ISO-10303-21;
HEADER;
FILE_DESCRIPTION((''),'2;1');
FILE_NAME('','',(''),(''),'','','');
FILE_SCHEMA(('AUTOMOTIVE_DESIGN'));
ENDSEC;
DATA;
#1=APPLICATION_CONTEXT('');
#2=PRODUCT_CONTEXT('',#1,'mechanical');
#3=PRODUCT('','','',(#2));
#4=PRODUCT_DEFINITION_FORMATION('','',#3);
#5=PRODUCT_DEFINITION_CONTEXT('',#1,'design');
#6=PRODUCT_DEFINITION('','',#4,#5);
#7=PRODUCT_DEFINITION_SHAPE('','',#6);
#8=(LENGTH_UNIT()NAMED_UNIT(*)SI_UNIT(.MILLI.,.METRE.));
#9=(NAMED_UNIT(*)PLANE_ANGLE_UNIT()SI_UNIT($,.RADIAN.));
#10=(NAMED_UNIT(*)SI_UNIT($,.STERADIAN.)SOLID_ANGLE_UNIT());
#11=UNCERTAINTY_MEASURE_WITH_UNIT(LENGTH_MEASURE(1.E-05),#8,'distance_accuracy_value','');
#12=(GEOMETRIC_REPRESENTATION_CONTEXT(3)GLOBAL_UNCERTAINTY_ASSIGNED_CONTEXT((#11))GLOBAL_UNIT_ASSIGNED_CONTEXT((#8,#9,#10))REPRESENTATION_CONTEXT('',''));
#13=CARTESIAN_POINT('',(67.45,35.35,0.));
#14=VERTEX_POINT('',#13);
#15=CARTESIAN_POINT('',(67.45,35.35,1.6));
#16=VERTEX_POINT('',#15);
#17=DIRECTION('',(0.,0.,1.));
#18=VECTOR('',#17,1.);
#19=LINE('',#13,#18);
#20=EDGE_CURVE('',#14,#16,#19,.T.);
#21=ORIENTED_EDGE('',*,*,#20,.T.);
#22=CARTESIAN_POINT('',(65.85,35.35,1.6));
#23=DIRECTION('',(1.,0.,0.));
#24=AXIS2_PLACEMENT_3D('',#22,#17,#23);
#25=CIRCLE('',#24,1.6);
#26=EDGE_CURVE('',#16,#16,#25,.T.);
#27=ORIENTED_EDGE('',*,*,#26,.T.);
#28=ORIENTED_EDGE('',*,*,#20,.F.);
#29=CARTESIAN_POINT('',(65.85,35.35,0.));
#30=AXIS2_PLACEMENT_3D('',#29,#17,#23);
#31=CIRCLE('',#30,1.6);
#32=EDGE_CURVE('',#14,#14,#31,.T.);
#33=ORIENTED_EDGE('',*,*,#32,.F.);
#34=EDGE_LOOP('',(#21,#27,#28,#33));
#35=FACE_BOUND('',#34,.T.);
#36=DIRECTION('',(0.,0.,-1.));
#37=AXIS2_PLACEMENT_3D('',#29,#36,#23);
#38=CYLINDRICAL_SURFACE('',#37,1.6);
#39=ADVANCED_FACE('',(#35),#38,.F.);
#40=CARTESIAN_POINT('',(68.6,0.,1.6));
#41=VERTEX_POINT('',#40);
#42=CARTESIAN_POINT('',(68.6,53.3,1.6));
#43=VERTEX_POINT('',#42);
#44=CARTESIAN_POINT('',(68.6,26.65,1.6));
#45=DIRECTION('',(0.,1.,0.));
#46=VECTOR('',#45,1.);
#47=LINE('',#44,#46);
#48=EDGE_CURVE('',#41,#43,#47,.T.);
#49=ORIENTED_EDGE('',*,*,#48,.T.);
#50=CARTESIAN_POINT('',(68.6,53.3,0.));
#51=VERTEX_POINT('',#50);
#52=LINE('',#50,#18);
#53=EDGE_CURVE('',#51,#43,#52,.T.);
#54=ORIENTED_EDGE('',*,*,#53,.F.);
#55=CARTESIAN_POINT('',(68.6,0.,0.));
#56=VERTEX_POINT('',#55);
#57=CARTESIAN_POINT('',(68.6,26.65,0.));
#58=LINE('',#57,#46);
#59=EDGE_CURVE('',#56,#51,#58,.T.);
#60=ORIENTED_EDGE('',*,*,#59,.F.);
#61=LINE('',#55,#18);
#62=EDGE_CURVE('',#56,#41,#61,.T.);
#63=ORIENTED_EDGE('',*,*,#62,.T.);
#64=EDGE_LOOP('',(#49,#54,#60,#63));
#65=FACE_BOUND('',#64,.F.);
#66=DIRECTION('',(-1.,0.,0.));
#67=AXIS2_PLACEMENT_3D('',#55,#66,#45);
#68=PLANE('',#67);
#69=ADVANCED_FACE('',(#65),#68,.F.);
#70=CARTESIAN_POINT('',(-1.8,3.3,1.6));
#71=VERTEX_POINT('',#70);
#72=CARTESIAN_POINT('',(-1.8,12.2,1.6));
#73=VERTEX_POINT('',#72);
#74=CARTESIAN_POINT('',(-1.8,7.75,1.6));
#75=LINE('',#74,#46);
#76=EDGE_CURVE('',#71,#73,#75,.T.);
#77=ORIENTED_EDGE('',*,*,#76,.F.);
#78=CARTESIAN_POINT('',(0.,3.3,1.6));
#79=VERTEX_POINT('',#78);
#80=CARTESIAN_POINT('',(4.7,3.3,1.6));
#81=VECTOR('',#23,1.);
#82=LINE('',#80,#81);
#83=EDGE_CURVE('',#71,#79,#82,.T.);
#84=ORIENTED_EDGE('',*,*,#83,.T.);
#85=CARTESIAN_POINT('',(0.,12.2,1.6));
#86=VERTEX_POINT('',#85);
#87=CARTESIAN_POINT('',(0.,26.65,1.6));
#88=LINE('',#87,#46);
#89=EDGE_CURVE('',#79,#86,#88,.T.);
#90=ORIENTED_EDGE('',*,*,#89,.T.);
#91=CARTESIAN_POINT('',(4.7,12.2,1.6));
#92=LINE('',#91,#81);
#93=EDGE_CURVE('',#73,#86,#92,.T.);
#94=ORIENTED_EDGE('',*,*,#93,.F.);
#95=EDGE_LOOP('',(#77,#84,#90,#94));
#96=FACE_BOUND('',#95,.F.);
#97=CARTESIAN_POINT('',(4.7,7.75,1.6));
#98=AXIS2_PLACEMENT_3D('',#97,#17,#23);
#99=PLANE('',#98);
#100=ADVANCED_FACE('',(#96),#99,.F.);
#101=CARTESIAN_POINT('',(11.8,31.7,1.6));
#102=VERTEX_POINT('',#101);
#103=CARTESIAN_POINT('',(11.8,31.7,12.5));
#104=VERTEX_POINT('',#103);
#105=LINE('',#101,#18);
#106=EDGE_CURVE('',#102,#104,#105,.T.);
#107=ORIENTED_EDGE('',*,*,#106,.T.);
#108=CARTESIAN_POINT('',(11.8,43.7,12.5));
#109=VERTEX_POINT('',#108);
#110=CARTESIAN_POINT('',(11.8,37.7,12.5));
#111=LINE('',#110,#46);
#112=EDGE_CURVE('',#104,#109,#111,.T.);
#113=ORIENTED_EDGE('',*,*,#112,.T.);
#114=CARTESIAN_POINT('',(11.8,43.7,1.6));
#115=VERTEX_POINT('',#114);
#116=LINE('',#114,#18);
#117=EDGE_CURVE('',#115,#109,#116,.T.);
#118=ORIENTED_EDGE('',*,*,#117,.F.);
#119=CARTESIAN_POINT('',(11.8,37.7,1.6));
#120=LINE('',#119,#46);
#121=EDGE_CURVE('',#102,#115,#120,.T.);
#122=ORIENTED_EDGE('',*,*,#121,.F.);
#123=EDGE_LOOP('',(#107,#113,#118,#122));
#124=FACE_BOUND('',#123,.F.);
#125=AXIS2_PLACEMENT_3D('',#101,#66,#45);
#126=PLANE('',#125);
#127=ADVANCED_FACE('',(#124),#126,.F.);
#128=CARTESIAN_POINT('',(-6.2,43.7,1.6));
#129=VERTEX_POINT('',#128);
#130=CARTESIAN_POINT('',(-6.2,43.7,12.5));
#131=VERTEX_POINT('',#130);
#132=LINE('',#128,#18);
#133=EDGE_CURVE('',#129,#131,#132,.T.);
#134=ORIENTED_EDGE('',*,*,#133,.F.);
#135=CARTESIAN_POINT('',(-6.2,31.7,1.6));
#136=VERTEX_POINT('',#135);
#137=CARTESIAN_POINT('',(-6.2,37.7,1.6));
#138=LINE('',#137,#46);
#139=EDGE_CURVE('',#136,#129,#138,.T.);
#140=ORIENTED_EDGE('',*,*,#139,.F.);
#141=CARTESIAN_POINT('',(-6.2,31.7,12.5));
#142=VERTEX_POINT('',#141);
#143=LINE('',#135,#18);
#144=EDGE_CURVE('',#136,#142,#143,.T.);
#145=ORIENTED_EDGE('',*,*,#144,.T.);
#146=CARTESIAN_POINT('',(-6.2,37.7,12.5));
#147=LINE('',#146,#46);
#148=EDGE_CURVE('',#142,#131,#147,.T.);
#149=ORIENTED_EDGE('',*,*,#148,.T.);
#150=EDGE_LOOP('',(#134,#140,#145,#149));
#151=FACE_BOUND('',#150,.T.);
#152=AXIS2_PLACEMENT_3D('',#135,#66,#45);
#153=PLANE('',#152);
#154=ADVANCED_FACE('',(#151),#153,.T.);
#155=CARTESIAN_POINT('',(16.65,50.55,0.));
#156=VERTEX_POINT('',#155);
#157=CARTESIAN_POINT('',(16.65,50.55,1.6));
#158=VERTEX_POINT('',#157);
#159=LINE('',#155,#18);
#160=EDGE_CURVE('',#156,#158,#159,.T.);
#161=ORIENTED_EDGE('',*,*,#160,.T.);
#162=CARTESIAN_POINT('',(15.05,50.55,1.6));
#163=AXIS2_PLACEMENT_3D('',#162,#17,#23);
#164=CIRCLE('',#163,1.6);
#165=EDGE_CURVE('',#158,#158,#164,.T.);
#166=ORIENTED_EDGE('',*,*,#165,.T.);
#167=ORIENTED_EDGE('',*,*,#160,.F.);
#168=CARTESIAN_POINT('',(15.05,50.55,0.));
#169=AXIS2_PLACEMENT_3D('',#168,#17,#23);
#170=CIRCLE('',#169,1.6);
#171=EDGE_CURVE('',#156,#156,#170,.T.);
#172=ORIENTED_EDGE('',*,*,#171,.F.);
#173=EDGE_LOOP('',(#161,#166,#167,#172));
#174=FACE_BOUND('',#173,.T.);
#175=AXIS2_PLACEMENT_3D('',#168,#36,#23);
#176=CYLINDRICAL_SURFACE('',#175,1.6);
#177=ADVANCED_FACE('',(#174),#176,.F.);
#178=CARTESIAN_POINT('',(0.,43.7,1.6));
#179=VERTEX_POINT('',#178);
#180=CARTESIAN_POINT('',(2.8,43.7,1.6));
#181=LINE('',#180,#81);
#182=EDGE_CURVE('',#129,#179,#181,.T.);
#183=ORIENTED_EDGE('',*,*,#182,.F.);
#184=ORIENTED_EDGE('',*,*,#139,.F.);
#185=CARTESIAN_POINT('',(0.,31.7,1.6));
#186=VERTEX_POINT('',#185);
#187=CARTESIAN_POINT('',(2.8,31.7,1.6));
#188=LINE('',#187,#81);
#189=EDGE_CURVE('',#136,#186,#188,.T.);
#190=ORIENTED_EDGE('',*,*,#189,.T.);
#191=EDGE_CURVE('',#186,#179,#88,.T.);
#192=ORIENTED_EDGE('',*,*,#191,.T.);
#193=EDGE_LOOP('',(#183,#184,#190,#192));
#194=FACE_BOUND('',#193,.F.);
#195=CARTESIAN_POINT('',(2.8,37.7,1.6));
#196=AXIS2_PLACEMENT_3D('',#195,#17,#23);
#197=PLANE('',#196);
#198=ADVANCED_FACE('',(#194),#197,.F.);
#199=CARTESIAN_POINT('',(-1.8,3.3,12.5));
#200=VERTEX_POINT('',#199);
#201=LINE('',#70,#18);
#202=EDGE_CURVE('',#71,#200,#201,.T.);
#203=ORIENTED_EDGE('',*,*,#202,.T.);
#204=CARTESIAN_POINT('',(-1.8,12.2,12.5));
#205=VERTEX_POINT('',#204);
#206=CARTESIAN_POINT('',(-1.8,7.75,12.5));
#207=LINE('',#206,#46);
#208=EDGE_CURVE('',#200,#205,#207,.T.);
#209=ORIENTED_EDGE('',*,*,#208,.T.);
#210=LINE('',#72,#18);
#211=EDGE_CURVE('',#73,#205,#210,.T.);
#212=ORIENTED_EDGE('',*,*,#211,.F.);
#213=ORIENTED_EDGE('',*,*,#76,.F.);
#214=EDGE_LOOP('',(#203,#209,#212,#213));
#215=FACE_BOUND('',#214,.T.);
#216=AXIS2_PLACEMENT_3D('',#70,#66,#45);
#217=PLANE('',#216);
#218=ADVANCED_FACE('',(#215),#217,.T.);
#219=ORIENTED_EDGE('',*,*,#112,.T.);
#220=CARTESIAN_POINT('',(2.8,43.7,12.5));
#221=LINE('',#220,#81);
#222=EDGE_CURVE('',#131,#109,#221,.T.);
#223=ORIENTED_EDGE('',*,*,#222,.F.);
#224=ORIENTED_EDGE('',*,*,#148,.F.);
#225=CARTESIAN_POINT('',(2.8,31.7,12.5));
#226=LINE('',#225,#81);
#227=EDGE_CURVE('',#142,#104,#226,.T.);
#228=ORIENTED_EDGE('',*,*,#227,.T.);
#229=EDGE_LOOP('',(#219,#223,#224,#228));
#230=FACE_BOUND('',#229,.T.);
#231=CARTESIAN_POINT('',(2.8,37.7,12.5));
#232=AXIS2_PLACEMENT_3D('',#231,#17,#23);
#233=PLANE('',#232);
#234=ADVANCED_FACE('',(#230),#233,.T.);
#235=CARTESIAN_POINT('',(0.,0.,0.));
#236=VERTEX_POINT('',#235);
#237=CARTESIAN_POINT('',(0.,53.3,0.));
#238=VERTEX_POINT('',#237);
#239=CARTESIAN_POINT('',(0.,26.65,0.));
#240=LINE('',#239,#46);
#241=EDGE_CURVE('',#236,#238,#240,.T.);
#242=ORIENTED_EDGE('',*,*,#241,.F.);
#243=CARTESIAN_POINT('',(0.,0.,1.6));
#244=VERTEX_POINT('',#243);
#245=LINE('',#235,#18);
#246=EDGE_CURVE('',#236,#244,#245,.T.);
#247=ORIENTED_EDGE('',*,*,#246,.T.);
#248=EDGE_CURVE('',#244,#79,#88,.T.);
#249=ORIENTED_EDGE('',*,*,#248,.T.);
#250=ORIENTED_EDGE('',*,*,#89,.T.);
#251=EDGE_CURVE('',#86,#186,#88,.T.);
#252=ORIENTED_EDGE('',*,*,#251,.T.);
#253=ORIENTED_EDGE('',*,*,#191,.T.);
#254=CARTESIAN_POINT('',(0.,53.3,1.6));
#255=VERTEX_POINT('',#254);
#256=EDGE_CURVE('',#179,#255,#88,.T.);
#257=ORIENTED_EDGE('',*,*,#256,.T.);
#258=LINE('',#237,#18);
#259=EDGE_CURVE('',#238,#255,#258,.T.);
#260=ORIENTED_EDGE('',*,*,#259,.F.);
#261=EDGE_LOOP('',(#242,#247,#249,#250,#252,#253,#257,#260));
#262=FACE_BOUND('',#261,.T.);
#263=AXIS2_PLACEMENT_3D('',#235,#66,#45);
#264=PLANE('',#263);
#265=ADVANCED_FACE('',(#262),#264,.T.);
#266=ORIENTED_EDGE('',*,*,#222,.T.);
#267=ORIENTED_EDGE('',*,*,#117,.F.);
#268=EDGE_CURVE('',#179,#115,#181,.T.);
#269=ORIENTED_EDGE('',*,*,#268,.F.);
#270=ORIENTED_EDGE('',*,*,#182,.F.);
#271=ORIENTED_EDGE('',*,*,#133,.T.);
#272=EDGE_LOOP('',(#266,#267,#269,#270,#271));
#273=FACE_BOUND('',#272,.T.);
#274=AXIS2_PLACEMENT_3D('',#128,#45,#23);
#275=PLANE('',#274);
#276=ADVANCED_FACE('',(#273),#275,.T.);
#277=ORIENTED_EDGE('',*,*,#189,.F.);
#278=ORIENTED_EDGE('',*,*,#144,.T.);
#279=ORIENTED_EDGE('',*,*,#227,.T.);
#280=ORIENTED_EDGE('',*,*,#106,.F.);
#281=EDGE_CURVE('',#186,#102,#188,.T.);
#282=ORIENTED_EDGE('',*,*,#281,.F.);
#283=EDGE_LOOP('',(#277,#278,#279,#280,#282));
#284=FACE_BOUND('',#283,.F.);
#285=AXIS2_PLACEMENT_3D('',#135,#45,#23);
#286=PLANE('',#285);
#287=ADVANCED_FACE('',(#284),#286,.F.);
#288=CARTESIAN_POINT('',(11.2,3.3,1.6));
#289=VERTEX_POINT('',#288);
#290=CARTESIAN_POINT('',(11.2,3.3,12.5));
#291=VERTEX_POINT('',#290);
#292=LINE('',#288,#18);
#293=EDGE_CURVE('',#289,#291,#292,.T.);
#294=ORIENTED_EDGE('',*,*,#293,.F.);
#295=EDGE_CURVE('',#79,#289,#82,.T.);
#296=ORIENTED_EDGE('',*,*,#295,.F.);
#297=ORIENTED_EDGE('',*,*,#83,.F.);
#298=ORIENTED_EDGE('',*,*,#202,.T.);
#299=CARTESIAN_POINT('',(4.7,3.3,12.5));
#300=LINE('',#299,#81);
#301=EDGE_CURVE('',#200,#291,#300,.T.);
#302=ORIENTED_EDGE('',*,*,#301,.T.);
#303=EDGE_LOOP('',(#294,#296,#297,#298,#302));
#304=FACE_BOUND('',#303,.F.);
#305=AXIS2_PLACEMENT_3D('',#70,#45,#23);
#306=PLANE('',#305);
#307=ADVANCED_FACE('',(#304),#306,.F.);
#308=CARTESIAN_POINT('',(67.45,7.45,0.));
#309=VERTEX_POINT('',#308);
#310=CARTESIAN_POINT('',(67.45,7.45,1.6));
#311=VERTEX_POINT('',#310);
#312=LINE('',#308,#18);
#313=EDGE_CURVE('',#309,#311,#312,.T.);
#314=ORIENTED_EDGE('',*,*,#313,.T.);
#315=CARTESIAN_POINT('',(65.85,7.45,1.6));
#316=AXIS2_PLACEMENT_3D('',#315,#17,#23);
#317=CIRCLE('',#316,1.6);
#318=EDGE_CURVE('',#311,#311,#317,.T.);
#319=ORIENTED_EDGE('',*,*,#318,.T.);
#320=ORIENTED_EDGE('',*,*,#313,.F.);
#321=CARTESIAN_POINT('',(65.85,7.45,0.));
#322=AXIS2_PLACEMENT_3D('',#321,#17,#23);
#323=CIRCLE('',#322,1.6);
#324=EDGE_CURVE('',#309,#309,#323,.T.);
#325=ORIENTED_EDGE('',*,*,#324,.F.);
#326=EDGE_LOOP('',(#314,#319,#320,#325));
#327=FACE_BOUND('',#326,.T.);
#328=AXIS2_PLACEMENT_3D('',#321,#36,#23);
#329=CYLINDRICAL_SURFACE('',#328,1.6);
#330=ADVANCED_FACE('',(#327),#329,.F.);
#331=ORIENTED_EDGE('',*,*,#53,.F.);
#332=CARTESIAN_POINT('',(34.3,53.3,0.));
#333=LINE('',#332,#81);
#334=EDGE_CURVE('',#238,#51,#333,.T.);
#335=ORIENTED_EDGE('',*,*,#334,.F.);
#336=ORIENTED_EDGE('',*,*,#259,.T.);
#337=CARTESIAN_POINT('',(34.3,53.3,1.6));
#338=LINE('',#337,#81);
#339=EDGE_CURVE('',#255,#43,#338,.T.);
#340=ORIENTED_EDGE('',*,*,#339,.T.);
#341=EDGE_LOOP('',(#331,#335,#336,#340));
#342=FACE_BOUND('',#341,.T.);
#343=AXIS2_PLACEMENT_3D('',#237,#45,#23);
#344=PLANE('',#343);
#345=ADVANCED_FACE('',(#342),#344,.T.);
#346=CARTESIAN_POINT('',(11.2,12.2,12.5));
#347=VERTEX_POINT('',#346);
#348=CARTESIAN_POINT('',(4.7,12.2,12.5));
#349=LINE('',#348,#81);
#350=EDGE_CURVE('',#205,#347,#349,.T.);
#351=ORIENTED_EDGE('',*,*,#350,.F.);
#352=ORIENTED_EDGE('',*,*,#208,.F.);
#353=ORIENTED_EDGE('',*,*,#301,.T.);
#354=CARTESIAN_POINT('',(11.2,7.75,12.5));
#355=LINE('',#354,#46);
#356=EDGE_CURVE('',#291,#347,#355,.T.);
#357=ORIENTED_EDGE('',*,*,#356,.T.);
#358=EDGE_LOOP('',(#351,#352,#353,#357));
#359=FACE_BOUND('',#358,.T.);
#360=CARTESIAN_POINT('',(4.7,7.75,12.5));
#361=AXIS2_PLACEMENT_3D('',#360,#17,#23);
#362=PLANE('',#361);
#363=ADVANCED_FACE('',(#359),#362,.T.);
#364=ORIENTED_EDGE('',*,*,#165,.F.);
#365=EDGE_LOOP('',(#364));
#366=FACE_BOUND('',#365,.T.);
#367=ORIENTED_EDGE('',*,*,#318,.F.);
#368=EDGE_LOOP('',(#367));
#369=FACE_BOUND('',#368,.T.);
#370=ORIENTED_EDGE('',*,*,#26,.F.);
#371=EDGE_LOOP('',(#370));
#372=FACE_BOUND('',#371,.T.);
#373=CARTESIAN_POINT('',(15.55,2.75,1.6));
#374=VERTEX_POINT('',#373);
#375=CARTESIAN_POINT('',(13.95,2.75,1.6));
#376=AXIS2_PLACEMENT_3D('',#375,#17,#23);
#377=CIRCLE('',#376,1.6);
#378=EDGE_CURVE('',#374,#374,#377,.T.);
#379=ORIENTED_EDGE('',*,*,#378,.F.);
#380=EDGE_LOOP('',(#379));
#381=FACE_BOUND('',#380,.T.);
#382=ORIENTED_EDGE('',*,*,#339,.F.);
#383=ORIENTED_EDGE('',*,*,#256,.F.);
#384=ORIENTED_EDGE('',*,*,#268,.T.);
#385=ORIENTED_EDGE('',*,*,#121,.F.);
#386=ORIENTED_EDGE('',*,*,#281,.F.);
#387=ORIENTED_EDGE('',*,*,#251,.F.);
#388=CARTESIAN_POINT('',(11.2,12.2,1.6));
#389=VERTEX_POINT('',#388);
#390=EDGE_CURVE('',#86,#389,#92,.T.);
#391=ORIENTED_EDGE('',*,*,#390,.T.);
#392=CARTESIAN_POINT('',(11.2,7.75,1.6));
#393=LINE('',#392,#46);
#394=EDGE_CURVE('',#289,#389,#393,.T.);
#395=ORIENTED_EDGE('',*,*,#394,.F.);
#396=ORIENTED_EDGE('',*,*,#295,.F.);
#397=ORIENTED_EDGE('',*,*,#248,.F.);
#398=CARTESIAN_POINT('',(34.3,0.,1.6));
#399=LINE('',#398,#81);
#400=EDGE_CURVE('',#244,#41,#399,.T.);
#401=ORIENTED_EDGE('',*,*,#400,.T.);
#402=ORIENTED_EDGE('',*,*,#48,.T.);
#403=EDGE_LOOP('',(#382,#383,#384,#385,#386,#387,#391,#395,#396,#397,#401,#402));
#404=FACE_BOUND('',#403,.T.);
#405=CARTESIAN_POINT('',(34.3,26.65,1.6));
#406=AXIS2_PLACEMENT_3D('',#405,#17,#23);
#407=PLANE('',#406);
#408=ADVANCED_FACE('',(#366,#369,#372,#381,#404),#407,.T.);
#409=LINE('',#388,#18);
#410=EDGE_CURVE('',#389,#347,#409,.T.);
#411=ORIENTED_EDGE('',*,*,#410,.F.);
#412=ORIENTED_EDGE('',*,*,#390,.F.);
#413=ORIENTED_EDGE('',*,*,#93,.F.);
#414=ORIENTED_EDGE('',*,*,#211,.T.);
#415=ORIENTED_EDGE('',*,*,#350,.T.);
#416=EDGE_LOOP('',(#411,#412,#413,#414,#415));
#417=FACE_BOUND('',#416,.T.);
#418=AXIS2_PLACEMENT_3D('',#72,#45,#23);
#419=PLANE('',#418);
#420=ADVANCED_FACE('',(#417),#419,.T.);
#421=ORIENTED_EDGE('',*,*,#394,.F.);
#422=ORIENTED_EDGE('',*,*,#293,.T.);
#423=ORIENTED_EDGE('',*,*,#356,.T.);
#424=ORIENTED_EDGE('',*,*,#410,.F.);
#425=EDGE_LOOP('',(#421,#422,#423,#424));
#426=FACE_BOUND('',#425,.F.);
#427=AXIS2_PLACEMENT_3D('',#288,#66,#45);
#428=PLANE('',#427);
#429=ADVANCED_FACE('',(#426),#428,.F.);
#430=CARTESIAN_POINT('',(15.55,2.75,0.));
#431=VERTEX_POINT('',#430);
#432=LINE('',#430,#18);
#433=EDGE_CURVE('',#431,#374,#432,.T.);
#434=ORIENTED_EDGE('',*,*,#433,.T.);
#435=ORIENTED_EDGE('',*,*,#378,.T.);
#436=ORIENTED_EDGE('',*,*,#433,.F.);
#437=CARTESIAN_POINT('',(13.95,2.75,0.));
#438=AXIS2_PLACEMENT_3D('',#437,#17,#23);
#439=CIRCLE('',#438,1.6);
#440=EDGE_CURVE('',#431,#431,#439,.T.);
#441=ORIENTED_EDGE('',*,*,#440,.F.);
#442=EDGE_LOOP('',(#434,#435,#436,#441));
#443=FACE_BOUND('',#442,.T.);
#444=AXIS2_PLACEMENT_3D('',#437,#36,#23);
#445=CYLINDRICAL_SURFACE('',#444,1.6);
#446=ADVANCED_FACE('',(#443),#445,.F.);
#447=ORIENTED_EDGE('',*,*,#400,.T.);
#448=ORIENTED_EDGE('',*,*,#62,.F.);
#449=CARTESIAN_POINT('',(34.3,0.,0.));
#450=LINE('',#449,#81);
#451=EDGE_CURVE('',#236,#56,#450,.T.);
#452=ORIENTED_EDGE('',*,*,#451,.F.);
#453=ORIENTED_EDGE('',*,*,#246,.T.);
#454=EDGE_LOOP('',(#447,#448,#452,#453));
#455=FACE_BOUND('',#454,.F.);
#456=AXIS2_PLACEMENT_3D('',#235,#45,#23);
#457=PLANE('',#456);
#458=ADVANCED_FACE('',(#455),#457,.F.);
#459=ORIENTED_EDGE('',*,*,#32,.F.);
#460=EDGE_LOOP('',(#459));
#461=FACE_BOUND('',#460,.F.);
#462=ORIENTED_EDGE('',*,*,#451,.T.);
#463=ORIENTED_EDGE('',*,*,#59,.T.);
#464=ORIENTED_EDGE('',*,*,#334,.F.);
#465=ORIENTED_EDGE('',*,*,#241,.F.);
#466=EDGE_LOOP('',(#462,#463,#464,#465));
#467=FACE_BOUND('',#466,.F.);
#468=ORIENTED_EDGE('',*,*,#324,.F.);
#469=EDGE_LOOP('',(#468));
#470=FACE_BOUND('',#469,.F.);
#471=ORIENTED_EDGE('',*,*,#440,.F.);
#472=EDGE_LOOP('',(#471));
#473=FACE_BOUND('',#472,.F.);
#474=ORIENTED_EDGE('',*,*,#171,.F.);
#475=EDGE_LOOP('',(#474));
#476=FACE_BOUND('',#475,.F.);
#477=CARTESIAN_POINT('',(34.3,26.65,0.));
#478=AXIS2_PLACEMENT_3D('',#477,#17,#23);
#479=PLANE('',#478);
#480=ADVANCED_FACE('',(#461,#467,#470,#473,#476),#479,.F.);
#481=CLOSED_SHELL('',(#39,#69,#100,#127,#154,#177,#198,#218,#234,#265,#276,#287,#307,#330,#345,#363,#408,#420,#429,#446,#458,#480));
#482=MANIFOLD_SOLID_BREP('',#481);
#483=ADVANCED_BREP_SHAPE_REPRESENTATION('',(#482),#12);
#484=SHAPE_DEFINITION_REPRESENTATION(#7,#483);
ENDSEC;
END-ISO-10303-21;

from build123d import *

# Parameters (mm, degrees)
F0_W     = 68.6
F0_H     = 53.3
F0_R     = 1.6
F1_DEPTH = 1.6
F3_W     = 13
F3_H     = 8.9
F3_W_2   = 18
F3_H_2   = 12
F4_DEPTH = 10.9


with BuildPart() as f1:
    # F0 (on Top) → F1 (new body)
    with BuildSketch(Plane.XY):
        with Locations((34.3, 26.65)):
            Rectangle(F0_W, F0_H)
        with Locations((13.95, 2.75)):
            Circle(F0_R, mode=Mode.SUBTRACT)
        with Locations((65.85, 7.45)):
            Circle(F0_R, mode=Mode.SUBTRACT)
        with Locations((15.05, 50.55)):
            Circle(F0_R, mode=Mode.SUBTRACT)
        with Locations((65.85, 35.35)):
            Circle(F0_R, mode=Mode.SUBTRACT)
    extrude(amount=F1_DEPTH)

    # F3 (on offset) → F4 (join)
    with BuildSketch(Plane.XY.offset(1.6)):
        with Locations((4.7, 7.75)):
            Rectangle(F3_W, F3_H)
        with Locations((2.8, 37.7)):
            Rectangle(F3_W_2, F3_H_2)
    extrude(amount=F4_DEPTH)


solid = f1.part
